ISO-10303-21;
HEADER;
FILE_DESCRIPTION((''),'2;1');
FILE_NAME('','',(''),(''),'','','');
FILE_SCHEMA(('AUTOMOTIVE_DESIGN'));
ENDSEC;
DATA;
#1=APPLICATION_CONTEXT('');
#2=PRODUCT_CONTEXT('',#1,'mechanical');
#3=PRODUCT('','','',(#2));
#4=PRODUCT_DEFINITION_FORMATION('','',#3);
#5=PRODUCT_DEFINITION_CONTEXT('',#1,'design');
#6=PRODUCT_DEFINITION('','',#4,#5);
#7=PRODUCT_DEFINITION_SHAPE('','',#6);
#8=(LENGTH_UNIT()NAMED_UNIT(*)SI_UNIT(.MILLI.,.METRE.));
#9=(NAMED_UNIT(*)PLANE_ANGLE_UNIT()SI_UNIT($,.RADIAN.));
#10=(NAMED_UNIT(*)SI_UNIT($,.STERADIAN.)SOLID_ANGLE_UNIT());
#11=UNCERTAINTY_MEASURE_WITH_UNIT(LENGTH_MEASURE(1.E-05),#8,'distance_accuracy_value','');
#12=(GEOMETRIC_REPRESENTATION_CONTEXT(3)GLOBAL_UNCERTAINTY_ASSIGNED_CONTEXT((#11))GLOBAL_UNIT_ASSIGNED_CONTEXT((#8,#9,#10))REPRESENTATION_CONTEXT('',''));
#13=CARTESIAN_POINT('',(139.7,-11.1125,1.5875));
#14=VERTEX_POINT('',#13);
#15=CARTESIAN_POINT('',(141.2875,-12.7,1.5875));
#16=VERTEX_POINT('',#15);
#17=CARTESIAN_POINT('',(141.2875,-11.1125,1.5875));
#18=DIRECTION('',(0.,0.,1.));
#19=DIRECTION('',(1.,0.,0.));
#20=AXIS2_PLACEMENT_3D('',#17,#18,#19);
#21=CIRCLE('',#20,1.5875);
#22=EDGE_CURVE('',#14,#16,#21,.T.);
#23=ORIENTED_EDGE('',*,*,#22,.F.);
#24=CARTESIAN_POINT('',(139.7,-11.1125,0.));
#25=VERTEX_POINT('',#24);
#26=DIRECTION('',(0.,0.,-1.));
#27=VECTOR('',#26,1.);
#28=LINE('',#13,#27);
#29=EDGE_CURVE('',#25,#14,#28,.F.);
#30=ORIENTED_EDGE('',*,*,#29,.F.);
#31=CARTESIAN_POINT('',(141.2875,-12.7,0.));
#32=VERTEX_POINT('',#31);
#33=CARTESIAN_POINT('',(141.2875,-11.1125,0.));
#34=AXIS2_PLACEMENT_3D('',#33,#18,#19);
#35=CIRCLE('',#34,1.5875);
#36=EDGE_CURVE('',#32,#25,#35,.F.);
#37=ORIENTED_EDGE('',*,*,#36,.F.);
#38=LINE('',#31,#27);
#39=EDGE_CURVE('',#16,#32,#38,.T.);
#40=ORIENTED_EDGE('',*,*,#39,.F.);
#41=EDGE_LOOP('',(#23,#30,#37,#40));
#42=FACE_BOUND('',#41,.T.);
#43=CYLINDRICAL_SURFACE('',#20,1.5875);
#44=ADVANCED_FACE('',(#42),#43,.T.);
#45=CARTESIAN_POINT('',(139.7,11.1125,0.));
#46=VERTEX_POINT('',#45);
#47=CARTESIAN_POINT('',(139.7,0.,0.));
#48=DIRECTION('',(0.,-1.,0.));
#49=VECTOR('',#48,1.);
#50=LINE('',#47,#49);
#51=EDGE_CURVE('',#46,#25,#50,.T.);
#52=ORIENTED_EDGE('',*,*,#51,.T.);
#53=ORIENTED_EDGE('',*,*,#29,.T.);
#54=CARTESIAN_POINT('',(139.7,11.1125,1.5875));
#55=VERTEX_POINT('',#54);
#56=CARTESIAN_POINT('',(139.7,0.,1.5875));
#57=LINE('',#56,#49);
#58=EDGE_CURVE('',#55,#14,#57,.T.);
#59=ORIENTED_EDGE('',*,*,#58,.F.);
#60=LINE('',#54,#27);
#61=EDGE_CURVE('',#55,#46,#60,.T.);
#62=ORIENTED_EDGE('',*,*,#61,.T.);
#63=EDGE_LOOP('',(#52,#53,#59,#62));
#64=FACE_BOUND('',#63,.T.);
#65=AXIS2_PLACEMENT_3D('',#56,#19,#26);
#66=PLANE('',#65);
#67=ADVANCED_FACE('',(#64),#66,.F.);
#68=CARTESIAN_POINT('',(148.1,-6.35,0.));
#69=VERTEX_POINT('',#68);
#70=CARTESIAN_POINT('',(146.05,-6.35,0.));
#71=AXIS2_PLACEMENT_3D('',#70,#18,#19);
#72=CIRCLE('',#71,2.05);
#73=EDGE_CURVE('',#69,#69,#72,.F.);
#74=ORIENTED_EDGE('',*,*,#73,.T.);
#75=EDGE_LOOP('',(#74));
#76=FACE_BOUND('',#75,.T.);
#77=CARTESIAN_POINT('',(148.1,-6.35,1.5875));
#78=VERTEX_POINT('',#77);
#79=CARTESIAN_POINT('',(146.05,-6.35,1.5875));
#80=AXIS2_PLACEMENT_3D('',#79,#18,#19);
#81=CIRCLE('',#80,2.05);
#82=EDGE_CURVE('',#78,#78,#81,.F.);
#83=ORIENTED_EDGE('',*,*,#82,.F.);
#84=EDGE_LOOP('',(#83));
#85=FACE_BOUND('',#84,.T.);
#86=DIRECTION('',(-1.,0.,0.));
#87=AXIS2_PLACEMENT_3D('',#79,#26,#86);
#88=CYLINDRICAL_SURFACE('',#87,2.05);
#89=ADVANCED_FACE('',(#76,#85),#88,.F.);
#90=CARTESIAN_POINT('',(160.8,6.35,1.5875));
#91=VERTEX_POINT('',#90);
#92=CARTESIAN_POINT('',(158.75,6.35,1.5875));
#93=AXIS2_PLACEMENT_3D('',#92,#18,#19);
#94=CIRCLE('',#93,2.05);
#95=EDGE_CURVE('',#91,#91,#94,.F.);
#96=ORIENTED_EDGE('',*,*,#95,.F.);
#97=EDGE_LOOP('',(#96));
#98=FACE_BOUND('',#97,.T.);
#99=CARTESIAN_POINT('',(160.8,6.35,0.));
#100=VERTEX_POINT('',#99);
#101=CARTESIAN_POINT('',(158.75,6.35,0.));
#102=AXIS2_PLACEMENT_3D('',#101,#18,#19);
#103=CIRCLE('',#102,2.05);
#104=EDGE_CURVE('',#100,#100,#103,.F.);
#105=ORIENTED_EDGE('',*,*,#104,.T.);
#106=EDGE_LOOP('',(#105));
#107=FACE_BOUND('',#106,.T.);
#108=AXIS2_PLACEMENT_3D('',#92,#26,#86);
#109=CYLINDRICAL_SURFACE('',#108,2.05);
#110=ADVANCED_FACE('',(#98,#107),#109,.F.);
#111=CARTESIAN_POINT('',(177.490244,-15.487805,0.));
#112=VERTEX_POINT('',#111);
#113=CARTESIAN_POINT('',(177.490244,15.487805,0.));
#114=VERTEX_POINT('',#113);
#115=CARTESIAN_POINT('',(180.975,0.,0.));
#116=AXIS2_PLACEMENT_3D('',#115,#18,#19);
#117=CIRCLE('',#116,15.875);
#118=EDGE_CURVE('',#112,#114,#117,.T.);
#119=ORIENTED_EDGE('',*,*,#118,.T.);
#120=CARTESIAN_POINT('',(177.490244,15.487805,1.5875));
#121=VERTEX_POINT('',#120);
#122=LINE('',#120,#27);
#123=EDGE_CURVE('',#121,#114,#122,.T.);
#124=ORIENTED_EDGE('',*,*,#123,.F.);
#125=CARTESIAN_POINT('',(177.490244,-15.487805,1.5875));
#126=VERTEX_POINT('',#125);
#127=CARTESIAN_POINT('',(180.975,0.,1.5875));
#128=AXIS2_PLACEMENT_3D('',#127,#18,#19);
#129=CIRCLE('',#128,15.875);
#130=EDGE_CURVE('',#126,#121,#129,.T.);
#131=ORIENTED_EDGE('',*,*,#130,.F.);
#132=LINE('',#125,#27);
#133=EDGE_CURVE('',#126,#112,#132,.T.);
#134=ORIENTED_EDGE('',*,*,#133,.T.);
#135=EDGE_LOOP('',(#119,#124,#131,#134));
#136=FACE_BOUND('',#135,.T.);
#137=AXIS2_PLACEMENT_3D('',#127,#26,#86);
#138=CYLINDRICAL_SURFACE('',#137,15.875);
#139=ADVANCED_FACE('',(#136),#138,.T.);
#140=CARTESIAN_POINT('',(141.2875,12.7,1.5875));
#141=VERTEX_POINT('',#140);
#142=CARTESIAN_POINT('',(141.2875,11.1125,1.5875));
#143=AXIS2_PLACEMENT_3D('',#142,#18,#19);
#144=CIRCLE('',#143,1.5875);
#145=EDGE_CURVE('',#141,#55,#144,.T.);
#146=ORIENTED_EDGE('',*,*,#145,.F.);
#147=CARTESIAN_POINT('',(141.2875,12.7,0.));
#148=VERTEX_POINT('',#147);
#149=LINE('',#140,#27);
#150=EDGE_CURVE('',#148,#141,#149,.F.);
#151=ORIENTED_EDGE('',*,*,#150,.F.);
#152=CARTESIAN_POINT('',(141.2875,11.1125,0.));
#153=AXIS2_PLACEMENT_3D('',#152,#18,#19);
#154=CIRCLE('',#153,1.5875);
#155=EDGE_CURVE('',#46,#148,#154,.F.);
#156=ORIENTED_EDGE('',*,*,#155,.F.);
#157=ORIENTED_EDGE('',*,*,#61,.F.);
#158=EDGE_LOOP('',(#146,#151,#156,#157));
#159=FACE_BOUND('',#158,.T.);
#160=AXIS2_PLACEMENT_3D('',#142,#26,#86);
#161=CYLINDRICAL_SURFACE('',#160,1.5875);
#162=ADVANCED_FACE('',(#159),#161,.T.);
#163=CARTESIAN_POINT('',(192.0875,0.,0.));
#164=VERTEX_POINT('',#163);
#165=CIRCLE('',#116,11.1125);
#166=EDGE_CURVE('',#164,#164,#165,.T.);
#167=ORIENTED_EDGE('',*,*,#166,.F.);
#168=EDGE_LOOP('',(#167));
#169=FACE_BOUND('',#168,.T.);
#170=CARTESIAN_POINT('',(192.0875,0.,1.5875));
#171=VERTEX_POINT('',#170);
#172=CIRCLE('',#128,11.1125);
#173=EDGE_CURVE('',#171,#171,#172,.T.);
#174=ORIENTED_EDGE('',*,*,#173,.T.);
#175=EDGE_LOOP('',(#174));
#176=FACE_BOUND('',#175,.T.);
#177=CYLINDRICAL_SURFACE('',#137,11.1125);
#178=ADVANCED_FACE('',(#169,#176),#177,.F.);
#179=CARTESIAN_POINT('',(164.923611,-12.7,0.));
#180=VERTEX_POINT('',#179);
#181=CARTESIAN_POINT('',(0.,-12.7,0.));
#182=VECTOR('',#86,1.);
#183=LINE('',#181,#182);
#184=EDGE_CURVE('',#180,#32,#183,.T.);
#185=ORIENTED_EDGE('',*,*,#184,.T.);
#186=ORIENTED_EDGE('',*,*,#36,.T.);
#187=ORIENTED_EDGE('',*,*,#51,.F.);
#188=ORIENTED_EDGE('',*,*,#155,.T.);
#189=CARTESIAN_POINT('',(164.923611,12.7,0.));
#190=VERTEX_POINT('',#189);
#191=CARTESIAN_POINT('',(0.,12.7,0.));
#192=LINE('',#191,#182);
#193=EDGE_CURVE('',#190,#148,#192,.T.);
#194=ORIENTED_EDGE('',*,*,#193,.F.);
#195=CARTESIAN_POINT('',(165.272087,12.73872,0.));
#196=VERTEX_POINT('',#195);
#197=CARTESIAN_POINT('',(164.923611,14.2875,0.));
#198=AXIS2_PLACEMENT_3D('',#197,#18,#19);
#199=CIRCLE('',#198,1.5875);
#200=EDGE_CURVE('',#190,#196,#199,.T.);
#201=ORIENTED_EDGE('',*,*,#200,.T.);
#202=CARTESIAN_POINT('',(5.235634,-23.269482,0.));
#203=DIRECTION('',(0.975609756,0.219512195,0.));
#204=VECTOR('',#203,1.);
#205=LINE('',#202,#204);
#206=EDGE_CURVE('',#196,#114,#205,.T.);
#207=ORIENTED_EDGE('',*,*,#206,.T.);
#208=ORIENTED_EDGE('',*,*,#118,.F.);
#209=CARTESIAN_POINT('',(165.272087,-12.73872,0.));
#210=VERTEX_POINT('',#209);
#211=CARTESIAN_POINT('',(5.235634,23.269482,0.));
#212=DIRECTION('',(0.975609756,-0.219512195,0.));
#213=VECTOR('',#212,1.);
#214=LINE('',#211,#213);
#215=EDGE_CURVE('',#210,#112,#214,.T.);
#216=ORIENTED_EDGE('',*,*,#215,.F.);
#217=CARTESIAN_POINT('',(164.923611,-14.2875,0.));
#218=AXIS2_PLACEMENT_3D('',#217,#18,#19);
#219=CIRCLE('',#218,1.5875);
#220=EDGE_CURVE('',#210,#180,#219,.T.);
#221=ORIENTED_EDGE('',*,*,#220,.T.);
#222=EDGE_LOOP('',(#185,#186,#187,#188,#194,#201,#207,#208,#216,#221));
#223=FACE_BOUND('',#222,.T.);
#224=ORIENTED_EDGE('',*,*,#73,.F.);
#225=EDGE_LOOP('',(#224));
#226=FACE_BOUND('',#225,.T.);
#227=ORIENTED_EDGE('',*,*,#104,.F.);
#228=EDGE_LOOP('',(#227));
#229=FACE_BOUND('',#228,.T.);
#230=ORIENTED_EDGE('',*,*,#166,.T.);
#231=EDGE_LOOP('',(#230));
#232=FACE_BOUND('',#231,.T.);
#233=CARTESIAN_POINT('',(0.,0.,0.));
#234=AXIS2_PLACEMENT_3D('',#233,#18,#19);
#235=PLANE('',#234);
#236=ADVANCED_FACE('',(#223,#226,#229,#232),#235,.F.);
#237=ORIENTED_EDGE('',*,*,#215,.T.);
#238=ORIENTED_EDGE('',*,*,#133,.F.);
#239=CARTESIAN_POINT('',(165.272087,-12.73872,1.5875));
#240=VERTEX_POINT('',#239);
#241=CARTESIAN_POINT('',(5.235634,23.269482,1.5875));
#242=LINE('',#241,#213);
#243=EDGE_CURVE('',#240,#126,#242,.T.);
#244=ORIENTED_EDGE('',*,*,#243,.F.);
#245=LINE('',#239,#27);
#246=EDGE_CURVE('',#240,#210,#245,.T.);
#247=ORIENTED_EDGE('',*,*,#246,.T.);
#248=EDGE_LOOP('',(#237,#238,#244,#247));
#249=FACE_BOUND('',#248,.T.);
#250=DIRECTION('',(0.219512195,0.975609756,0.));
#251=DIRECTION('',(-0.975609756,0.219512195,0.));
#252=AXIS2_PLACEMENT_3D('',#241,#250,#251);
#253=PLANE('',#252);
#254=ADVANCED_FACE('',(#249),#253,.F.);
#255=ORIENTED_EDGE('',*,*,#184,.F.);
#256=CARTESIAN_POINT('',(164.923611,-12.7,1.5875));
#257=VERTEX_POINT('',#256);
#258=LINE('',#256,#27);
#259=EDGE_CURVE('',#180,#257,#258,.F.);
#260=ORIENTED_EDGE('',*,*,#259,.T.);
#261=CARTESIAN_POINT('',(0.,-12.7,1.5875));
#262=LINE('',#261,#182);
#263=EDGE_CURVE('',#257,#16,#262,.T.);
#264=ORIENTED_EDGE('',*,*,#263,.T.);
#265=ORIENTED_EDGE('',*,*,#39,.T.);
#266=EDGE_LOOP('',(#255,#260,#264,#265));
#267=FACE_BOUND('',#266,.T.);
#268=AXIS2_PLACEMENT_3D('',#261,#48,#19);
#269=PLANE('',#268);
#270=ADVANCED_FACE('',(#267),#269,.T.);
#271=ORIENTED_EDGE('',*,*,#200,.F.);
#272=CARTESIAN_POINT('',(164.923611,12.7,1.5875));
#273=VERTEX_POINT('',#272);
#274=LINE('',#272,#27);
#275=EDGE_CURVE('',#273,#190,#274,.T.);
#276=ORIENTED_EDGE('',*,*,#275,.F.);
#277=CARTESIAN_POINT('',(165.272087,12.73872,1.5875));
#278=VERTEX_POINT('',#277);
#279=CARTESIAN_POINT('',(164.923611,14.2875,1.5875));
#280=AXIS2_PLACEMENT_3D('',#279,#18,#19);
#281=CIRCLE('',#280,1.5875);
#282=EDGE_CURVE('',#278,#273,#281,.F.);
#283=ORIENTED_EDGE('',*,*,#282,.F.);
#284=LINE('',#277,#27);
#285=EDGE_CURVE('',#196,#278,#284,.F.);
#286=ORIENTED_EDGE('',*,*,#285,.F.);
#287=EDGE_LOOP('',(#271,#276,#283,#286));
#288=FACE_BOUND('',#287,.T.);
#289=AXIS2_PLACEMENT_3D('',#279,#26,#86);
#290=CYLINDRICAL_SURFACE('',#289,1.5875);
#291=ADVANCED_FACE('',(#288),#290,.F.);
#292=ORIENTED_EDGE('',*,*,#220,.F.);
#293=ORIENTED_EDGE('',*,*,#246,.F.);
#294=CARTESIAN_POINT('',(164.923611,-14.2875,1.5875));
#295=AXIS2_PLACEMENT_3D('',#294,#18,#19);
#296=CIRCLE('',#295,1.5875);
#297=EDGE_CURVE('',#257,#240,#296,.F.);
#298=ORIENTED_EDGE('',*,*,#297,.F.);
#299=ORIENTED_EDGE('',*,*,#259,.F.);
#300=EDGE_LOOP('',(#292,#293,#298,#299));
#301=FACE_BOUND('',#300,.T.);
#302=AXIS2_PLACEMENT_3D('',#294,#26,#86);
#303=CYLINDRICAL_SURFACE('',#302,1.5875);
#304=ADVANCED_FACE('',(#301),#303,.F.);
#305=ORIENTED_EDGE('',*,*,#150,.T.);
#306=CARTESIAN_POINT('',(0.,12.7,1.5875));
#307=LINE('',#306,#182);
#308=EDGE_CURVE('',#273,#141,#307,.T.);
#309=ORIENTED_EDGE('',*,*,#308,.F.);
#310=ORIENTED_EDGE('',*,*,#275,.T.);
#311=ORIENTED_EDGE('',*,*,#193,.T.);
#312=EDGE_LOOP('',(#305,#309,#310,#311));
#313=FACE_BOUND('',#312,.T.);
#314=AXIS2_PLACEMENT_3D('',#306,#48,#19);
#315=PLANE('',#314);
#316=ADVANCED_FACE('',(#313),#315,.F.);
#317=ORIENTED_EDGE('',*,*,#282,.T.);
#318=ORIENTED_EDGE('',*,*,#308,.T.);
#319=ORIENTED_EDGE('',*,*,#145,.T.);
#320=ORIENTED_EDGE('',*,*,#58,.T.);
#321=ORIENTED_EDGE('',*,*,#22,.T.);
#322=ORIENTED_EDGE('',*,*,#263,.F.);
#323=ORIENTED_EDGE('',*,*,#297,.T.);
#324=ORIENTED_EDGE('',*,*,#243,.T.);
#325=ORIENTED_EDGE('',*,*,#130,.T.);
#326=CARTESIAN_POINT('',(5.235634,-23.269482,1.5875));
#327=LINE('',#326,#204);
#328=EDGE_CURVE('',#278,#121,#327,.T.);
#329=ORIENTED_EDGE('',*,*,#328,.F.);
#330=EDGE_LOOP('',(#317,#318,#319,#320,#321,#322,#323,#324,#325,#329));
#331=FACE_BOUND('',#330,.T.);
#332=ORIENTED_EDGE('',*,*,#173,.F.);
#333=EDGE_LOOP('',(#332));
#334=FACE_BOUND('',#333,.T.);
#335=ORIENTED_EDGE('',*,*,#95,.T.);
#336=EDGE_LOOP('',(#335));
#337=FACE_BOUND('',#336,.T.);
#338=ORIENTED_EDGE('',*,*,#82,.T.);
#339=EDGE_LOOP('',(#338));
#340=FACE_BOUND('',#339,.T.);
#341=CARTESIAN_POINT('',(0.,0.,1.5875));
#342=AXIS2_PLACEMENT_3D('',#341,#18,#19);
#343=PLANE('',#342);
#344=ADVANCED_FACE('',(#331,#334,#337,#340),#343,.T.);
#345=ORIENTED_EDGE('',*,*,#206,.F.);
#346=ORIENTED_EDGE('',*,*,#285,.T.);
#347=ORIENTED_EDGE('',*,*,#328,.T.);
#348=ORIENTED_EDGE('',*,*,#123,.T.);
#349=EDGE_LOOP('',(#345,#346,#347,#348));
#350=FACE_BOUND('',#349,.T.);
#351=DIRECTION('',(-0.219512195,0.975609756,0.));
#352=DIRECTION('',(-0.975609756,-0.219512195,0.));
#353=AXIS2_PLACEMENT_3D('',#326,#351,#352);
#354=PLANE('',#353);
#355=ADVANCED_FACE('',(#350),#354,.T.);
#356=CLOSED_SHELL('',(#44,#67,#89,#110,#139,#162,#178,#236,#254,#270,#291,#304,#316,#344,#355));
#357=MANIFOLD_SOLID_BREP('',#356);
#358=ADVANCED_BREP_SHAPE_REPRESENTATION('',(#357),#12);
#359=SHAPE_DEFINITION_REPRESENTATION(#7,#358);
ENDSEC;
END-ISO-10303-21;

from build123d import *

# Parameters (mm, degrees)
SKETCH1_R           = 2.05
SKETCH1_R_2         = 15.875
SKETCH1_R_3         = 11.1125
BOSS_EXTRUDE1_DEPTH = 1.5875
FILLET1_R           = 1.5875


with BuildPart() as part:
    # Sketch1 → Boss-Extrude1 (new body)
    with BuildSketch(Plane.XY):
        Polygon((165.1, 12.7), (139.7, 12.7), (139.7, -12.7), (165.1, -12.7), (165.1, 3.4e-08), align=None)
        with Locations((146.05, -6.35)):
            Circle(SKETCH1_R, mode=Mode.SUBTRACT)
        with Locations((158.75, 6.35)):
            Circle(SKETCH1_R, mode=Mode.SUBTRACT)
        with BuildLine():
            Line((177.490243902, 15.487804878), (165.1, 12.7))
            Line((165.1, 12.7), (165.1, 3.4e-08))
            ThreePointArc((165.1, 3.4e-08), (168.578707661, 9.917033893), (177.490243902, 15.487804878))
        make_face()
        with Locations((180.975, 0)):
            Circle(SKETCH1_R_2)
        with Locations((180.975, 0)):
            Circle(SKETCH1_R_3, mode=Mode.SUBTRACT)
        with BuildLine():
            ThreePointArc((177.490243902, -15.487804878), (168.57870764, -9.917033867), (165.1, 3.4e-08))
            Line((165.1, 3.4e-08), (165.1, -12.7))
            Line((165.1, -12.7), (177.490243902, -15.487804878))
        make_face()
    extrude(amount=BOSS_EXTRUDE1_DEPTH)

    # Fillet1
    fillet1_edges = [part.edges().sort_by_distance(p)[0] for p in [
        (165.1, 12.7, 0.79375),
        (165.1, -12.7, 0.79375),
        (139.7, -12.7, 0.79375),
        (139.7, 12.7, 0.79375),
    ]]
    fillet(fillet1_edges, radius=FILLET1_R)


solid = part.part
